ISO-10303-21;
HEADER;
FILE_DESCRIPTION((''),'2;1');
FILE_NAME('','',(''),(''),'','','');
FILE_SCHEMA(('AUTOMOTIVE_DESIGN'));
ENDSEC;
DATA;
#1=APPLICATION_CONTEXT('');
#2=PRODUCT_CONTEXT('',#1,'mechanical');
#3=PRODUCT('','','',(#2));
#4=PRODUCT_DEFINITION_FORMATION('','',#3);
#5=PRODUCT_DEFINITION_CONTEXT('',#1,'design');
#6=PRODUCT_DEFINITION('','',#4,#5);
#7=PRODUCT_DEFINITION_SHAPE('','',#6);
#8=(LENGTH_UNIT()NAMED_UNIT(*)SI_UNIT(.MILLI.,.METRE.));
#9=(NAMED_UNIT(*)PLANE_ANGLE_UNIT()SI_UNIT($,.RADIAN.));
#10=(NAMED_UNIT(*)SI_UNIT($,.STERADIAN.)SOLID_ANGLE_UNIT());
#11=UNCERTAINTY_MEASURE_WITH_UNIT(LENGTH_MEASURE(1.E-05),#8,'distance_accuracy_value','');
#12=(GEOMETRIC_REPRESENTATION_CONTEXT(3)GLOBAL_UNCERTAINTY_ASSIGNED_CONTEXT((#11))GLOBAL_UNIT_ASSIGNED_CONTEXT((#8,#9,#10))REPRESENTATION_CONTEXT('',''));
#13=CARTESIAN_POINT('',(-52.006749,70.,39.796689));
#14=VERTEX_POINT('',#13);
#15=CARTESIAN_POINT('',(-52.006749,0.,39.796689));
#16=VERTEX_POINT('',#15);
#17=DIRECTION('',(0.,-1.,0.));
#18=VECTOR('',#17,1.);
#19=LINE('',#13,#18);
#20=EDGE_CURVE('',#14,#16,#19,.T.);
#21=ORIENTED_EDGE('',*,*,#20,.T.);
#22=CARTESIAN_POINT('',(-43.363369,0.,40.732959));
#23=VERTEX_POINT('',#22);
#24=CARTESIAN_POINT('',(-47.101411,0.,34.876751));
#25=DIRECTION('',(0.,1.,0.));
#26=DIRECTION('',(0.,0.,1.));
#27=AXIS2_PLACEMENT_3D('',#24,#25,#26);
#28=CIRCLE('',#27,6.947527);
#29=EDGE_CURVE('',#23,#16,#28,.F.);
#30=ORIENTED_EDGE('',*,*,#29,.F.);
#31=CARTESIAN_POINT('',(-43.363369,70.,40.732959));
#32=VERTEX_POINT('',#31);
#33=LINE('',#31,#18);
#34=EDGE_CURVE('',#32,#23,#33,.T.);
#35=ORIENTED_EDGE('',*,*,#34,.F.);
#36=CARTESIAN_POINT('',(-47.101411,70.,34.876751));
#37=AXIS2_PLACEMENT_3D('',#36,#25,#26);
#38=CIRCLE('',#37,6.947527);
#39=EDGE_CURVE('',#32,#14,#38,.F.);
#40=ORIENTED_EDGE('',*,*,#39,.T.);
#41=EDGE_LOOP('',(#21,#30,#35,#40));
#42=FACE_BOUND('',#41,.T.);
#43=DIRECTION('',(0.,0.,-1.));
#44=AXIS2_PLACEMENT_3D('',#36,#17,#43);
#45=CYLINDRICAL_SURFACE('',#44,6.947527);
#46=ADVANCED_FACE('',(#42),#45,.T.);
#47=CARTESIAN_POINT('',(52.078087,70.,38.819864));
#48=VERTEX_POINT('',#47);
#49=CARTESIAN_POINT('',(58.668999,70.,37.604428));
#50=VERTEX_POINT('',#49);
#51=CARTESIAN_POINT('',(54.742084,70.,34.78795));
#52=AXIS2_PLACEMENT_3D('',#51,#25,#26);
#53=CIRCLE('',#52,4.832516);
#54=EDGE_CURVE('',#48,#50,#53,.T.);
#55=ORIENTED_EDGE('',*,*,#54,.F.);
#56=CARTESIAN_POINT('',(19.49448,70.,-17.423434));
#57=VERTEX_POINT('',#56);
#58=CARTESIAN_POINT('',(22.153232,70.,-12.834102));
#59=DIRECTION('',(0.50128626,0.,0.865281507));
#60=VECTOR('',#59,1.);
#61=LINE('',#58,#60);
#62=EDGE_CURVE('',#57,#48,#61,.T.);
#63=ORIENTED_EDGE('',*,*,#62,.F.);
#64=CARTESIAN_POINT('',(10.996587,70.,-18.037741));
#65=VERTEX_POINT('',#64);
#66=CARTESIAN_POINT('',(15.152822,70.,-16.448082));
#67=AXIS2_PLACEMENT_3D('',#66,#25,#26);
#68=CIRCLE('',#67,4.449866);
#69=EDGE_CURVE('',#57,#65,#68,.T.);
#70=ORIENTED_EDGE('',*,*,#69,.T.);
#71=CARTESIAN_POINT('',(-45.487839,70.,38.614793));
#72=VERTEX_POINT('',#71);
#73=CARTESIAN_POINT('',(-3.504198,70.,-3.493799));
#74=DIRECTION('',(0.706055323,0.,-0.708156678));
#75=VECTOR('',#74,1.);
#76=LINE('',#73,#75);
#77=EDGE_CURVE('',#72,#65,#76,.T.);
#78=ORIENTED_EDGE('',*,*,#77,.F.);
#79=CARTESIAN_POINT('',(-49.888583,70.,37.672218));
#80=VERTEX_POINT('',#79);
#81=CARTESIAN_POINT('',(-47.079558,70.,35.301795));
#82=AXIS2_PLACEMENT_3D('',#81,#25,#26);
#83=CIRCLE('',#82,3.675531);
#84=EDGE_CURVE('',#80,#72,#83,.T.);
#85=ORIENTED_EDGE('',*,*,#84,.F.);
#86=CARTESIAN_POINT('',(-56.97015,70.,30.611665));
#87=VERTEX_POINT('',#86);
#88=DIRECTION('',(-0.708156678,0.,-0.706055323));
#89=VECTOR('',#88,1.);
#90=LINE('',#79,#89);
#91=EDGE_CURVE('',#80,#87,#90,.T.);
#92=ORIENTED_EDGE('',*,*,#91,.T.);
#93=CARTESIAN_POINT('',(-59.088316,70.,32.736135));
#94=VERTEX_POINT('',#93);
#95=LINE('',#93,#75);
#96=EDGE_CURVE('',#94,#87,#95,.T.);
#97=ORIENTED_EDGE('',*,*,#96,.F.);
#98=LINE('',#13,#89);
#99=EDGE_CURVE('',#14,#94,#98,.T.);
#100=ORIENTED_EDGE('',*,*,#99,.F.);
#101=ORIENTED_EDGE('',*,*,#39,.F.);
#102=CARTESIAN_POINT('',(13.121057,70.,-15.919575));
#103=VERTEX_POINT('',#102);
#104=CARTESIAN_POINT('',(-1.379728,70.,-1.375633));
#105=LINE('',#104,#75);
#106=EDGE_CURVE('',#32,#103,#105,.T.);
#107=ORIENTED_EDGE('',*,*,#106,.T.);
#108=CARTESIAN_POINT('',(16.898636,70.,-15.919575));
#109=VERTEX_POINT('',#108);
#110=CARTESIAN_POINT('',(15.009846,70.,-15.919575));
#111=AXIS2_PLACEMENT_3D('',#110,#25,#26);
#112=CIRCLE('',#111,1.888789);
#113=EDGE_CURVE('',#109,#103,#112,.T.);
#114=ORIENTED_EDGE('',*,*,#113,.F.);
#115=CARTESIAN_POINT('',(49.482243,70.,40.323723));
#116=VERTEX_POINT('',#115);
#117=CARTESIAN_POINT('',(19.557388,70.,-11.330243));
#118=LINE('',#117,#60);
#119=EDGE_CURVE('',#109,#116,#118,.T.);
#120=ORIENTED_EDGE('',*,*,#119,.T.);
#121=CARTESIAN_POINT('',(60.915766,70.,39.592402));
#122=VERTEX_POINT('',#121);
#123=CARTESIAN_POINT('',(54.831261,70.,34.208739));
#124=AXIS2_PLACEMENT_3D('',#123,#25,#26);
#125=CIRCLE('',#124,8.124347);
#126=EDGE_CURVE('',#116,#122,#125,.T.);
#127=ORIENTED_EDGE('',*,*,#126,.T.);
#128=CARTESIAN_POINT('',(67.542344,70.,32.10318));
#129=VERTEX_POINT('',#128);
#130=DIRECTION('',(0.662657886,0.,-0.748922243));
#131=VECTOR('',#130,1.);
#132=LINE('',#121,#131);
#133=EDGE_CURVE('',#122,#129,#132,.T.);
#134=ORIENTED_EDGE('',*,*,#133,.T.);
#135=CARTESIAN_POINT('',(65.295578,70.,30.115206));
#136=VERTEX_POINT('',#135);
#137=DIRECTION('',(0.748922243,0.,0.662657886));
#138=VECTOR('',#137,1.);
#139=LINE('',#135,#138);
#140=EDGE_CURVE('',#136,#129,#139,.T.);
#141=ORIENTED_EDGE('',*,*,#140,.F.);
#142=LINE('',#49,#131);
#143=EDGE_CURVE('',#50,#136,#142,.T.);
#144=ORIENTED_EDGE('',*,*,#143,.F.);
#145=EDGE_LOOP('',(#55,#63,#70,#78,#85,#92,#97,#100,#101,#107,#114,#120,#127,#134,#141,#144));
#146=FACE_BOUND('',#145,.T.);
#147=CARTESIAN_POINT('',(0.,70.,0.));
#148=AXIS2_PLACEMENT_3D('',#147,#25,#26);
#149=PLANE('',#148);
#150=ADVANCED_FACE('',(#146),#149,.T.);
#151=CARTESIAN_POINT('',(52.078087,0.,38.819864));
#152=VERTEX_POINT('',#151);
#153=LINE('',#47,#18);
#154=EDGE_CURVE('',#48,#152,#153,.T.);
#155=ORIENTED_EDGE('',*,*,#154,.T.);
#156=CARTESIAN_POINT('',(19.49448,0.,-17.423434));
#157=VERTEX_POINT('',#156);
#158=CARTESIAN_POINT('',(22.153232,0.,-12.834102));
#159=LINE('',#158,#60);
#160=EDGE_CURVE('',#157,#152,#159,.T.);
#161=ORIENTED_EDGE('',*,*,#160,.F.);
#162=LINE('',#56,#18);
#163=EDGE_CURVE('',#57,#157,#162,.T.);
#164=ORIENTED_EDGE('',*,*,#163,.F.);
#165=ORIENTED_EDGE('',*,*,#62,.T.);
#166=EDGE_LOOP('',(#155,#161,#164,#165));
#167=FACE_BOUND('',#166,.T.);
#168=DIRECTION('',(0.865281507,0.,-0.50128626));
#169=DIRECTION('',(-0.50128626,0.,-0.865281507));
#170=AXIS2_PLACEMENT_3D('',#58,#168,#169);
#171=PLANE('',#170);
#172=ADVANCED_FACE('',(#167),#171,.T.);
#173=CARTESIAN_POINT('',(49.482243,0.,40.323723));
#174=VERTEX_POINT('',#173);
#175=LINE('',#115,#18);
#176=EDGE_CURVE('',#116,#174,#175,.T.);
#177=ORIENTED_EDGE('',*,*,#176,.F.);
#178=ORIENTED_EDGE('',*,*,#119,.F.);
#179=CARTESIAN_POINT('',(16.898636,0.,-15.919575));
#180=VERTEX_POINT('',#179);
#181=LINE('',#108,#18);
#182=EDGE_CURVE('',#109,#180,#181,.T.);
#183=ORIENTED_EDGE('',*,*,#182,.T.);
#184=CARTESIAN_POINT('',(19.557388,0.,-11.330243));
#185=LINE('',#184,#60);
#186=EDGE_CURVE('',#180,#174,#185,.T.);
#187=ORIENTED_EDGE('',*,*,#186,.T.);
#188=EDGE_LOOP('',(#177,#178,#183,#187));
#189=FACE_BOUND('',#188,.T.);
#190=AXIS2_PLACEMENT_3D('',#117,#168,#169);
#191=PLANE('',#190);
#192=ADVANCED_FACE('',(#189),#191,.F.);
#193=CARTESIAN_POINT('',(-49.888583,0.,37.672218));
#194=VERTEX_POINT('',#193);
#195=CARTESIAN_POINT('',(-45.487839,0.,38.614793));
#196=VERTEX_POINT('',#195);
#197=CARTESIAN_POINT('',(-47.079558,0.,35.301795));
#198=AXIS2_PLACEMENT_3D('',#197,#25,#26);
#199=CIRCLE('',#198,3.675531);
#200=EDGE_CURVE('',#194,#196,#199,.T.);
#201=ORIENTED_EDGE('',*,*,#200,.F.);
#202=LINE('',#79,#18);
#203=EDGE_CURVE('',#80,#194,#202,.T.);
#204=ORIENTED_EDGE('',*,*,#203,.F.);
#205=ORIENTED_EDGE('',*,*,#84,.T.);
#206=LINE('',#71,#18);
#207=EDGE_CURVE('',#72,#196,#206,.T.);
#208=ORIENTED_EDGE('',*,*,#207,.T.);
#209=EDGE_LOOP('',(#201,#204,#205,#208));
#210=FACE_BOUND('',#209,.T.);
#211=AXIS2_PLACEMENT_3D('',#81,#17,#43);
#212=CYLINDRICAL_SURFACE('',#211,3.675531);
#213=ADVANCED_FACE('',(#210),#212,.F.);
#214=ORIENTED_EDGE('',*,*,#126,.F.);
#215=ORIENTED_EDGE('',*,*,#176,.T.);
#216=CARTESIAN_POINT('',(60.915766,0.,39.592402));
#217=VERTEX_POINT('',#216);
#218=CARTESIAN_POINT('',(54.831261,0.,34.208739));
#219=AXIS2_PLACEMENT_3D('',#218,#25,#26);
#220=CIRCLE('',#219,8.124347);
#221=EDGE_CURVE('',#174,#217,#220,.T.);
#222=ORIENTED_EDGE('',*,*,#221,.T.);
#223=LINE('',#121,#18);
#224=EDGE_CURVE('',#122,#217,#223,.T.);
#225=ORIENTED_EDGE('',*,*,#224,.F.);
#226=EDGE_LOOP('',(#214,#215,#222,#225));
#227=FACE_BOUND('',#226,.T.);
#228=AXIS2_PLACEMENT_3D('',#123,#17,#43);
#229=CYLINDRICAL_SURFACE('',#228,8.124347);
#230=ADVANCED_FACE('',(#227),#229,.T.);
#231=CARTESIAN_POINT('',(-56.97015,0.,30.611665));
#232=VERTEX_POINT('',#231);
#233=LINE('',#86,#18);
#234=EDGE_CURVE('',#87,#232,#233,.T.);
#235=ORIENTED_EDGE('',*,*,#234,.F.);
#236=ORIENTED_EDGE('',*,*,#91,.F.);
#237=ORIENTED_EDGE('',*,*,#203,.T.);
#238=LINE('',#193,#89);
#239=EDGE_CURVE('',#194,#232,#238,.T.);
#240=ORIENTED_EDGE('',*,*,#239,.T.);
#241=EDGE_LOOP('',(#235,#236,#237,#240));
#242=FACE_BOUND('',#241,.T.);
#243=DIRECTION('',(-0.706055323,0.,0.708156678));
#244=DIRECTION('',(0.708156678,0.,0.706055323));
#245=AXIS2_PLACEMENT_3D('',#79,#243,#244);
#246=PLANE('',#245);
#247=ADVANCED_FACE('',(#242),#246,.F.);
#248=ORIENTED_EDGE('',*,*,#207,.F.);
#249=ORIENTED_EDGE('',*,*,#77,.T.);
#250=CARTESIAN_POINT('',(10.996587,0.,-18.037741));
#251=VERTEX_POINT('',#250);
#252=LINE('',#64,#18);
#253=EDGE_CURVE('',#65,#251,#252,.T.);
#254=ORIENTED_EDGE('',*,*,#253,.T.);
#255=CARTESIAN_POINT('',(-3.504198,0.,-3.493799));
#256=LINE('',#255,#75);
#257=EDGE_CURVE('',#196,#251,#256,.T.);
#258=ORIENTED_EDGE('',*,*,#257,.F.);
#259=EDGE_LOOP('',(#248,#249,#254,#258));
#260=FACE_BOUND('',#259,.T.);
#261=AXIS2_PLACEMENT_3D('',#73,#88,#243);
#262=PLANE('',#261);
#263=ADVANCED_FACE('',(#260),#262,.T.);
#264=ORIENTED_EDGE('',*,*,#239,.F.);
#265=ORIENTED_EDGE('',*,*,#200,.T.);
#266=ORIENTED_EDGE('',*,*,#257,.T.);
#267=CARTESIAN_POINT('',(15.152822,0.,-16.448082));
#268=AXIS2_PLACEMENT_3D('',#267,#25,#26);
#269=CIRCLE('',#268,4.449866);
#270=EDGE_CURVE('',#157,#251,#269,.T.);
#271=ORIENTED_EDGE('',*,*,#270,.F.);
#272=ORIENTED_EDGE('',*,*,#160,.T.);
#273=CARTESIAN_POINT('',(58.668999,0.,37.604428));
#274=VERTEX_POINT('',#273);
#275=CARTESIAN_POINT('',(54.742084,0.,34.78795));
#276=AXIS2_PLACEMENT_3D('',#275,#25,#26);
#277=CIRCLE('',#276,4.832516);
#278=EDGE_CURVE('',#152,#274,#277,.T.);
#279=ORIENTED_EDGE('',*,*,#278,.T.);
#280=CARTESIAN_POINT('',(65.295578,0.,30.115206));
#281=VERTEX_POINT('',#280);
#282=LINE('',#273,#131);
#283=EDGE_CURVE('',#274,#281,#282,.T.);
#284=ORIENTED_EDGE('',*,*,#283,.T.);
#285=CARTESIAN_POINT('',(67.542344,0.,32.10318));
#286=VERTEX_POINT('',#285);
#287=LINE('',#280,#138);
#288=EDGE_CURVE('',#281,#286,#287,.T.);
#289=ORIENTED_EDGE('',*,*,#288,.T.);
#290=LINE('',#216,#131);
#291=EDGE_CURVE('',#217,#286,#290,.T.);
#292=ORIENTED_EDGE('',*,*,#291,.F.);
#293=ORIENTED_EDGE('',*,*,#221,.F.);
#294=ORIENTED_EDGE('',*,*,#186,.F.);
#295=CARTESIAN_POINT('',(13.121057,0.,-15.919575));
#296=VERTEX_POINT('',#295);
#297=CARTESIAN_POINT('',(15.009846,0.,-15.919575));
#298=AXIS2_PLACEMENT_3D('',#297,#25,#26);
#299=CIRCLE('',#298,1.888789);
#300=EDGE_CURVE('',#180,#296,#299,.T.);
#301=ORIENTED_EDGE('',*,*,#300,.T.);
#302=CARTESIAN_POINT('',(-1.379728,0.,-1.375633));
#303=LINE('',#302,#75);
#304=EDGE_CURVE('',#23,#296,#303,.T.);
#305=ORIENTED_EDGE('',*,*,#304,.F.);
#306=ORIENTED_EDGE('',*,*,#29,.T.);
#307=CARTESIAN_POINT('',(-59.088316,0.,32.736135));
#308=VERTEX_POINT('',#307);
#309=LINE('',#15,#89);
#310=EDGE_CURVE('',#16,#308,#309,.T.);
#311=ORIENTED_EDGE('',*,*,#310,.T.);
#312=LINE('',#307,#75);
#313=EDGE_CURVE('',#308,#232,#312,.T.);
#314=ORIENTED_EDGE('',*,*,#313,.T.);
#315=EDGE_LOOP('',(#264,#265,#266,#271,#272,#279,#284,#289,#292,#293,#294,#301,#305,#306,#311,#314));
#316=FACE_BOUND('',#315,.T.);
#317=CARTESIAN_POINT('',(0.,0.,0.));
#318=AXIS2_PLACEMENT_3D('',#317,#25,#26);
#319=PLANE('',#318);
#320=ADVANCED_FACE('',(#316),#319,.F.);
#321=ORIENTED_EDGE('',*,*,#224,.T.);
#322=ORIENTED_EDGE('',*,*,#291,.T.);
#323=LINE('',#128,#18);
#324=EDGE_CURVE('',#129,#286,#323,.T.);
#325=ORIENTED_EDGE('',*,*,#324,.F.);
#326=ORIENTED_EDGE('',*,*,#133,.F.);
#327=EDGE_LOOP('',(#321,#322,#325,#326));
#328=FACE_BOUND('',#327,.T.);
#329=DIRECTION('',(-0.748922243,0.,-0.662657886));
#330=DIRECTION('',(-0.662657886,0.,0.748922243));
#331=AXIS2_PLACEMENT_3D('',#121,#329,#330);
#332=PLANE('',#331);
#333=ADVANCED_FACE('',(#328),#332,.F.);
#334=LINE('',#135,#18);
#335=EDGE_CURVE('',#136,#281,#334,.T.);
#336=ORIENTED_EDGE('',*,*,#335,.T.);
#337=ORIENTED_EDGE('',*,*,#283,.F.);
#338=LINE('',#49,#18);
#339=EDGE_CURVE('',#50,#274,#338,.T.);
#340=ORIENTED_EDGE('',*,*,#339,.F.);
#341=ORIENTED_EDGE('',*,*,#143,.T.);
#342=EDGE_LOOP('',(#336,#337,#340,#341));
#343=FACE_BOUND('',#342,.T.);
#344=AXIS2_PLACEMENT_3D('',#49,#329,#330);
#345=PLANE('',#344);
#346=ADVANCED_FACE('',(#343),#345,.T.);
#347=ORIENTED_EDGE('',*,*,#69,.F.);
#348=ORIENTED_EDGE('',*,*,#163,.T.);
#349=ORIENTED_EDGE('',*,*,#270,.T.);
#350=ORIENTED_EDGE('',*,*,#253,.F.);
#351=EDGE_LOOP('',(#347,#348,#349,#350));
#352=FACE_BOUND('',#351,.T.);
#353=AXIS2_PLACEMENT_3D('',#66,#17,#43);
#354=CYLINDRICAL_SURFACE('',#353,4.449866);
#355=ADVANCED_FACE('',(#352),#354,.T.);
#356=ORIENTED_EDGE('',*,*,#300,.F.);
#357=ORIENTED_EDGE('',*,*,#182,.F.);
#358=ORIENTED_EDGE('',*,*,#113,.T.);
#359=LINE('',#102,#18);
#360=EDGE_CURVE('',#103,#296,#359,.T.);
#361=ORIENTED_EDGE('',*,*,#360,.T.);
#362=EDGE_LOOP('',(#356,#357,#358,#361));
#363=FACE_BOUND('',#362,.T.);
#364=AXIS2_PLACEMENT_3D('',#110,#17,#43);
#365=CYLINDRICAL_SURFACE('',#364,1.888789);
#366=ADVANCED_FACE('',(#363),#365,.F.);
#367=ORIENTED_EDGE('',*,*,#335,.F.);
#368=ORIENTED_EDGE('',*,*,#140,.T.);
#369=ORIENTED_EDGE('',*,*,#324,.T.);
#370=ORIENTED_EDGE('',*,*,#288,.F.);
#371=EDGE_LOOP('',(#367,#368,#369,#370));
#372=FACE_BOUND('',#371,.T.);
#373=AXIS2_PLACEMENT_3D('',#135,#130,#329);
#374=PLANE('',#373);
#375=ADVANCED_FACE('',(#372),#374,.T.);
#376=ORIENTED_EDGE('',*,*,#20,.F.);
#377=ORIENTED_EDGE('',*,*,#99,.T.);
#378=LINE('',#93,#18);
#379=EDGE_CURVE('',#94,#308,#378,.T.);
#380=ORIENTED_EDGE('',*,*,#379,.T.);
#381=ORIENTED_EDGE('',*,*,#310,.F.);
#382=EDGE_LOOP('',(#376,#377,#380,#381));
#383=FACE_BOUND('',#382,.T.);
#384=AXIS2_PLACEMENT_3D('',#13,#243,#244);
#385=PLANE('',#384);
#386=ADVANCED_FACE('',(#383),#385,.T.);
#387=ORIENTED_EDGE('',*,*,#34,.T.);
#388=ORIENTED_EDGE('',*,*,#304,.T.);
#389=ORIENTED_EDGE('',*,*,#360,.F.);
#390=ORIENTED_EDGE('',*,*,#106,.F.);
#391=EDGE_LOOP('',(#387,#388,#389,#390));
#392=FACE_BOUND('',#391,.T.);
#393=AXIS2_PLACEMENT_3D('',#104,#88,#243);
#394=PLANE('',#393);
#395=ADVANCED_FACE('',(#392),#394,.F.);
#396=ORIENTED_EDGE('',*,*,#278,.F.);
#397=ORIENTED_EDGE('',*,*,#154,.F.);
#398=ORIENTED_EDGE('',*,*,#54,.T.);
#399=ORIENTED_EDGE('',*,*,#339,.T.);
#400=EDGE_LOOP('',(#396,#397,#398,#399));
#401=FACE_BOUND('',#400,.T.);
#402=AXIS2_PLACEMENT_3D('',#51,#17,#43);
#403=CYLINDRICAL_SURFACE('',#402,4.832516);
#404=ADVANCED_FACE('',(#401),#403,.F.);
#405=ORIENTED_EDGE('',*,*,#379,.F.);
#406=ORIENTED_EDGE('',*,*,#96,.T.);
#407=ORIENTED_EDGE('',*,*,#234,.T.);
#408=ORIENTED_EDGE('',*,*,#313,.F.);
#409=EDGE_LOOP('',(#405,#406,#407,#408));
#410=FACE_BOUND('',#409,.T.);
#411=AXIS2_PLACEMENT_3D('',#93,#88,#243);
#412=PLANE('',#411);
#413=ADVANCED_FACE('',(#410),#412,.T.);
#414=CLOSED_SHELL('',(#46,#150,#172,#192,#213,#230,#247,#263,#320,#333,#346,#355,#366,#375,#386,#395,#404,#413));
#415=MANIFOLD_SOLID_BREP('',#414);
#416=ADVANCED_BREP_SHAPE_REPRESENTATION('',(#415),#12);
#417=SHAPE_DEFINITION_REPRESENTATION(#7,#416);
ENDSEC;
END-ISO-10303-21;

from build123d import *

# Parameters (mm, degrees)
EXTRUDE_1_DEPTH = 70


with BuildPart() as part:
    # 草圖1 → 填料-伸長1 (new body)
    with BuildSketch(Plane(origin=(0, 0, 0), x_dir=(1, 0, 0), z_dir=(0, 1, 0))):
        with BuildLine():
            Line((10.996587269, 18.037741282), (-45.487838574, -38.61479297))
            ThreePointArc((-45.487838574, -38.61479297), (-47.84934361, -38.895811815), (-49.888582931, -37.672218494))
            Line((-49.888582931, -37.672218494), (-56.970149713, -30.611665263))
            Line((-56.970149713, -30.611665263), (-59.088315682, -32.736135298))
            Line((-59.088315682, -32.736135298), (-52.0067489, -39.796688528))
            ThreePointArc((-52.0067489, -39.796688528), (-47.849605549, -41.783872953), (-43.363368539, -40.732958939))
            Line((-43.363368539, -40.732958939), (13.121057303, 15.919575313))
            ThreePointArc((13.121057303, 15.919575313), (15.009846467, 17.808364477), (16.898635631, 15.919575313))
            Line((16.898635631, 15.919575313), (49.482242531, -40.323722611))
            ThreePointArc((49.482242531, -40.323722611), (55.349857539, -42.316518092), (60.91576552, -39.592402078))
            Line((60.91576552, -39.592402078), (67.542344378, -32.103179645))
            Line((67.542344378, -32.103179645), (65.295577648, -30.115205988))
            Line((65.295577648, -30.115205988), (58.66899879, -37.60442842))
            ThreePointArc((58.66899879, -37.60442842), (55.618475046, -39.540333545), (52.078087051, -38.819863831))
            Line((52.078087051, -38.819863831), (19.494480151, 17.423434093))
            ThreePointArc((19.494480151, 17.423434093), (15.47366289, 20.886366054), (10.996587269, 18.037741282))
        make_face()
    extrude(amount=EXTRUDE_1_DEPTH)


solid = part.part
